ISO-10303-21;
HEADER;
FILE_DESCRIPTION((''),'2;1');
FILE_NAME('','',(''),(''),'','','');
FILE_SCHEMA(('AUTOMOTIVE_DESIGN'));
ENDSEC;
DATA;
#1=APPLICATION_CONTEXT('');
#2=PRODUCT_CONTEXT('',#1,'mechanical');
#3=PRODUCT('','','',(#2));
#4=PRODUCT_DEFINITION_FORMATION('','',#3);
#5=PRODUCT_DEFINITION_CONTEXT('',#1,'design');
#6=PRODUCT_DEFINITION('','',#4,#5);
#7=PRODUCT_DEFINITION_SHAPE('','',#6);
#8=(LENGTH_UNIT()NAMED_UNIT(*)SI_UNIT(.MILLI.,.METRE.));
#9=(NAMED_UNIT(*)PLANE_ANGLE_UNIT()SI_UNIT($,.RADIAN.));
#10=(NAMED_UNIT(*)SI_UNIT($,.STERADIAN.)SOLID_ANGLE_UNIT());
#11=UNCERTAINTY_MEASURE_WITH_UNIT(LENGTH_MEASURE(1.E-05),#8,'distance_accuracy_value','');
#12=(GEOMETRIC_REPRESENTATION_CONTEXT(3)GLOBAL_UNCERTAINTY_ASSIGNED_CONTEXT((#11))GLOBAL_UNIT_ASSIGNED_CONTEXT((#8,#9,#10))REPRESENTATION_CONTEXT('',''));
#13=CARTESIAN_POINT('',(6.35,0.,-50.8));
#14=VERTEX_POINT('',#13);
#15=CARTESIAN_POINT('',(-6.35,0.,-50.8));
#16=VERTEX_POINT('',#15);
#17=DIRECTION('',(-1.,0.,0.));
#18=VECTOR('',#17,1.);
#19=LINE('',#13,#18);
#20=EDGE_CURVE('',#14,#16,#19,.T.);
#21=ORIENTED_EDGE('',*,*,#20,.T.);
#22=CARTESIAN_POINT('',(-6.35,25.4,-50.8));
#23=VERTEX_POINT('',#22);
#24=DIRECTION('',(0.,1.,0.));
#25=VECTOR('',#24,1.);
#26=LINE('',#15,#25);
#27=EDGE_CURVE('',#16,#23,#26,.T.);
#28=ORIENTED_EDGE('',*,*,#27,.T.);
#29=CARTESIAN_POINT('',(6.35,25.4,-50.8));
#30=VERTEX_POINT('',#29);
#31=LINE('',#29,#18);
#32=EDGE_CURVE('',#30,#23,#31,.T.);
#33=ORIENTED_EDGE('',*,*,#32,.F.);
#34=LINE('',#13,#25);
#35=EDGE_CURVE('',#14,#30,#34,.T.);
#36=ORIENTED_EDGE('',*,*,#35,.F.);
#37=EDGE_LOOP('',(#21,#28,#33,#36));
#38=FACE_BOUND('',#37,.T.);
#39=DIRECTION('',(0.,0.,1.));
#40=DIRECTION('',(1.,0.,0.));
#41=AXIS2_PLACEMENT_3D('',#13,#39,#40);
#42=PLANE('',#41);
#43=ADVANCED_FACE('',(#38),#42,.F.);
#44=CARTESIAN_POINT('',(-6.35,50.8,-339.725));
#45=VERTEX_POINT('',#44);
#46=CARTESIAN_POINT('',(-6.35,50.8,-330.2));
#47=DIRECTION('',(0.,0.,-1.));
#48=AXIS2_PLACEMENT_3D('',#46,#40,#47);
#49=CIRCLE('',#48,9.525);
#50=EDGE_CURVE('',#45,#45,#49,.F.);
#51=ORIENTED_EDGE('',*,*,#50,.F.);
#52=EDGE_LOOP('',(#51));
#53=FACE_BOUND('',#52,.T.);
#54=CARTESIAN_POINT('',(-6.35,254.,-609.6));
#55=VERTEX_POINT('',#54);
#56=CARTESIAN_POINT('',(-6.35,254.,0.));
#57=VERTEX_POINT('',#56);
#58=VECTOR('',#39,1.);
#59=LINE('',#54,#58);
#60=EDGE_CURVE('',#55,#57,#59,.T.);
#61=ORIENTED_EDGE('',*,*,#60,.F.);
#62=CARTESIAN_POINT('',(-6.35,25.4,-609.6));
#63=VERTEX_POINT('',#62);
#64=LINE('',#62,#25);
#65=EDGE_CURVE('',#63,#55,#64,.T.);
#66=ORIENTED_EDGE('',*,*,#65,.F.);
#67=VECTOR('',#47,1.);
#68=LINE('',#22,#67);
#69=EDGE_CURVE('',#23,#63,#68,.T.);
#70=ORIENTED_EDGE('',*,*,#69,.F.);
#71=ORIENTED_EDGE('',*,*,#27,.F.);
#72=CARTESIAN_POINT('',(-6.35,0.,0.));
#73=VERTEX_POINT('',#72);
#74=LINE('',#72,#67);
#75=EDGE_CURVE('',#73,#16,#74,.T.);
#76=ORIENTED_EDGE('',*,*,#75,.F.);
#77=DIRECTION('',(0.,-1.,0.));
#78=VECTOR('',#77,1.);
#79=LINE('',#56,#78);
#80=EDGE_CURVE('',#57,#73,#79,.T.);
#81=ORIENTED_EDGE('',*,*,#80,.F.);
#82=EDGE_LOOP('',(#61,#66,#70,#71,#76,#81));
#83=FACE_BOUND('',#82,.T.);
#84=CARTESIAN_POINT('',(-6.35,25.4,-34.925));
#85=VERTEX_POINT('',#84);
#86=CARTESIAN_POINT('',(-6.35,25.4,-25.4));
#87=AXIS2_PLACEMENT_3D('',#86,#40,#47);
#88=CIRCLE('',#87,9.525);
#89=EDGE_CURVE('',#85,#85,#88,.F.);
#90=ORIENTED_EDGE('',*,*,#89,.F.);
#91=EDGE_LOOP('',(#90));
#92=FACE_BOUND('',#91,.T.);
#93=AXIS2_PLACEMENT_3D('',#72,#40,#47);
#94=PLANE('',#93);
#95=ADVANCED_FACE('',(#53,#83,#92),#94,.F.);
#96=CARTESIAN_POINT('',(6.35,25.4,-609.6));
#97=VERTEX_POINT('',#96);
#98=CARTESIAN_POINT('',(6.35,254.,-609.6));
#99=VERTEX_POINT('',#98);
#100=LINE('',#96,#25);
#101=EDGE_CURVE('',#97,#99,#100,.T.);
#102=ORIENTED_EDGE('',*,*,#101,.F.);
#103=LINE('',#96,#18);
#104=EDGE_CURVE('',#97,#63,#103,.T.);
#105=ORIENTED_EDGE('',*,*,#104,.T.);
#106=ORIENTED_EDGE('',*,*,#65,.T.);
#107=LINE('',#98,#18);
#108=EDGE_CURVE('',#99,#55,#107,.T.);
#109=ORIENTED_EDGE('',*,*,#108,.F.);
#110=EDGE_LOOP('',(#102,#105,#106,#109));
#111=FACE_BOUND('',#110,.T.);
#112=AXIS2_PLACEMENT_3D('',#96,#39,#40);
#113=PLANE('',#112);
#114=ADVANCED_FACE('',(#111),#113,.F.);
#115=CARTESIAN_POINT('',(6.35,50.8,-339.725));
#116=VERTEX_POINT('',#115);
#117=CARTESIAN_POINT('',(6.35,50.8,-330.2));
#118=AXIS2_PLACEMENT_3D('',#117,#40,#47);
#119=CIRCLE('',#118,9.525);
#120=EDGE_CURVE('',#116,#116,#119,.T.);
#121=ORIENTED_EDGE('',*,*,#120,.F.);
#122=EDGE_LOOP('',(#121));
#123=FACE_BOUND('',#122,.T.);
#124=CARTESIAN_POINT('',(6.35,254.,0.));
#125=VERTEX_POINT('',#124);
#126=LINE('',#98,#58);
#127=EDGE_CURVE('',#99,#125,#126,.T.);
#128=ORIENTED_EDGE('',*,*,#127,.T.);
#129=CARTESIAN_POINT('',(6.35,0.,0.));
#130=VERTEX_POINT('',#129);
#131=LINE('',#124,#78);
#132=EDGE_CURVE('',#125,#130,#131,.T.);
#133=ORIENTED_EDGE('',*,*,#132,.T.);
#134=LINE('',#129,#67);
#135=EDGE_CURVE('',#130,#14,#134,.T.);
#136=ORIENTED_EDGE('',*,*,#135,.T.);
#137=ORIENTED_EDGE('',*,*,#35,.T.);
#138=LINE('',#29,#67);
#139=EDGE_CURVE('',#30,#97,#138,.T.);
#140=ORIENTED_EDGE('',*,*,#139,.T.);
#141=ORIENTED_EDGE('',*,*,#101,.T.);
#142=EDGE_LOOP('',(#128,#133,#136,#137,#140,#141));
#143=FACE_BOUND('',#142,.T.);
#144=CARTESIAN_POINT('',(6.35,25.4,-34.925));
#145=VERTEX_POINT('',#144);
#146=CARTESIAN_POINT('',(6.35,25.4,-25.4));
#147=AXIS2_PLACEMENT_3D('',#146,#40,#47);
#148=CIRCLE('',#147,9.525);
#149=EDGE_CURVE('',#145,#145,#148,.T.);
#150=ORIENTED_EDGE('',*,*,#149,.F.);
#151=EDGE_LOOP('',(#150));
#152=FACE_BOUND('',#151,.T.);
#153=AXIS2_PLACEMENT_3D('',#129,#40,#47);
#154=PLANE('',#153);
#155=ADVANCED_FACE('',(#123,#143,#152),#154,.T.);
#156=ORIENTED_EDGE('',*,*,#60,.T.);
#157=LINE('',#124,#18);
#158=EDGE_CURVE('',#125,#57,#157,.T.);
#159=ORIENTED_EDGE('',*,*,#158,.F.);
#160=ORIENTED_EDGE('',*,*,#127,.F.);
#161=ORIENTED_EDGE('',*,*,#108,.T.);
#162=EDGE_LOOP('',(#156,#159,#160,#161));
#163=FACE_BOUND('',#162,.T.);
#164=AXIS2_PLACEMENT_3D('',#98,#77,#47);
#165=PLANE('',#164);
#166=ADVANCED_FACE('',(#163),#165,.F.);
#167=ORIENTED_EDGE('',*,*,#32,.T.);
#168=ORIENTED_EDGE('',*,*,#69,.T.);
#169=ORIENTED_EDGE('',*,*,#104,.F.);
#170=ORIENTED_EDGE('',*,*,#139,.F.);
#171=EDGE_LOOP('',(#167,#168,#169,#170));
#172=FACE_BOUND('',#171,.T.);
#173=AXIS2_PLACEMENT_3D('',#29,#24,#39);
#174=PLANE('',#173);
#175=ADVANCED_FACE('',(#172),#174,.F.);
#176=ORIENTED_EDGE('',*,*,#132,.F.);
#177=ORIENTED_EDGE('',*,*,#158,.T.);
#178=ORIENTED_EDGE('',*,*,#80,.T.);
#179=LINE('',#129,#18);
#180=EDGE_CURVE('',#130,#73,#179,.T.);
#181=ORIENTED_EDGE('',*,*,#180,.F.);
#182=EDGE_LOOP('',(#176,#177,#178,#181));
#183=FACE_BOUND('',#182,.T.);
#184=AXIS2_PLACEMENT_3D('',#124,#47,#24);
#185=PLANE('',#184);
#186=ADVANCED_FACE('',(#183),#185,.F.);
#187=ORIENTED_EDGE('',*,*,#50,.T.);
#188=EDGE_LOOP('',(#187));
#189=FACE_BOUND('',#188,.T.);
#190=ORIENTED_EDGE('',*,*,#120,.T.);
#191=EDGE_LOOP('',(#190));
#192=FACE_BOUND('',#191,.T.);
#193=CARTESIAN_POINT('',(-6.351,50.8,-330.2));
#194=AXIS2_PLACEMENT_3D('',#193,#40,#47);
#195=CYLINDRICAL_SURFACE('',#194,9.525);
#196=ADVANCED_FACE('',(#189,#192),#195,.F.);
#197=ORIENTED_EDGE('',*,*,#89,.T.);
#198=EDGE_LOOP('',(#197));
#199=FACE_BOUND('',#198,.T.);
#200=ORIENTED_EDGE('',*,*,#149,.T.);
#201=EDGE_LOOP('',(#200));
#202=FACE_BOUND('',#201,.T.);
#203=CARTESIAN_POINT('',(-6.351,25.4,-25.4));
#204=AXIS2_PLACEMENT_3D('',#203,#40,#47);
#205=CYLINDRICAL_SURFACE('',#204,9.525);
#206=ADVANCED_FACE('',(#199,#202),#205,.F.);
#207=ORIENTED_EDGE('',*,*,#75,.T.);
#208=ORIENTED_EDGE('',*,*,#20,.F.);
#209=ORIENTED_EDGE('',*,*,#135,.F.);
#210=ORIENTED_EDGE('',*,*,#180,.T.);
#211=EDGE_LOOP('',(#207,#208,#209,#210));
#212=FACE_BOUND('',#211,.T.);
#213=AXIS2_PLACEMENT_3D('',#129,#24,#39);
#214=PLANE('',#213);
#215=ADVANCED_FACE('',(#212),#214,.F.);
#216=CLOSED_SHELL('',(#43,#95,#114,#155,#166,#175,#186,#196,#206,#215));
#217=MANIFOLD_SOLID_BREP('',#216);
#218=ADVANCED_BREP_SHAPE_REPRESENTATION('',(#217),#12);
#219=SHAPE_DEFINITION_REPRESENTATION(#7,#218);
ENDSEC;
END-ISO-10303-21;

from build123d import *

# Parameters (mm, degrees)
BOSS_EXTRUDE1_DEPTH = 6.35
CUT_EXTRUDE1_REACH  = 14.7
SKETCH2_R           = 9.525


with BuildPart() as part:
    # Sketch1 → Boss-Extrude1 (new body, symmetric)
    with BuildSketch(Plane(origin=(0, 0, 0), x_dir=(0, 0, -1), z_dir=(1, 0, 0))):
        Polygon((0, 0), (50.8, 0), (50.8, 25.4), (609.6, 25.4), (609.6, 254), (0, 254), align=None)
    extrude(amount=BOSS_EXTRUDE1_DEPTH, both=True)

    # Sketch2 → Cut-Extrude1 (cut, up to next)
    with BuildSketch(Plane(origin=(6.35, 0, 0), x_dir=(0, 0, -1), z_dir=(1, 0, 0)), mode=Mode.PRIVATE) as cut_extrude1_sk1:
        with Locations((25.4, 25.4)):
            Circle(SKETCH2_R)
    cut_extrude1_tool1 = extrude(cut_extrude1_sk1.sketch, amount=-CUT_EXTRUDE1_REACH, mode=Mode.PRIVATE) & part.part
    add(cut_extrude1_tool1.solids().sort_by_distance((6.35, 25.4, -25.4))[0], mode=Mode.SUBTRACT)
    # Sketch2 → Cut-Extrude1 (cut, up to next)
    with BuildSketch(Plane(origin=(6.35, 0, 0), x_dir=(0, 0, -1), z_dir=(1, 0, 0)), mode=Mode.PRIVATE) as cut_extrude1_sk2:
        with Locations((330.2, 50.8)):
            Circle(SKETCH2_R)
    cut_extrude1_tool2 = extrude(cut_extrude1_sk2.sketch, amount=-CUT_EXTRUDE1_REACH, mode=Mode.PRIVATE) & part.part
    add(cut_extrude1_tool2.solids().sort_by_distance((6.35, 50.8, -330.2))[0], mode=Mode.SUBTRACT)


solid = part.part
